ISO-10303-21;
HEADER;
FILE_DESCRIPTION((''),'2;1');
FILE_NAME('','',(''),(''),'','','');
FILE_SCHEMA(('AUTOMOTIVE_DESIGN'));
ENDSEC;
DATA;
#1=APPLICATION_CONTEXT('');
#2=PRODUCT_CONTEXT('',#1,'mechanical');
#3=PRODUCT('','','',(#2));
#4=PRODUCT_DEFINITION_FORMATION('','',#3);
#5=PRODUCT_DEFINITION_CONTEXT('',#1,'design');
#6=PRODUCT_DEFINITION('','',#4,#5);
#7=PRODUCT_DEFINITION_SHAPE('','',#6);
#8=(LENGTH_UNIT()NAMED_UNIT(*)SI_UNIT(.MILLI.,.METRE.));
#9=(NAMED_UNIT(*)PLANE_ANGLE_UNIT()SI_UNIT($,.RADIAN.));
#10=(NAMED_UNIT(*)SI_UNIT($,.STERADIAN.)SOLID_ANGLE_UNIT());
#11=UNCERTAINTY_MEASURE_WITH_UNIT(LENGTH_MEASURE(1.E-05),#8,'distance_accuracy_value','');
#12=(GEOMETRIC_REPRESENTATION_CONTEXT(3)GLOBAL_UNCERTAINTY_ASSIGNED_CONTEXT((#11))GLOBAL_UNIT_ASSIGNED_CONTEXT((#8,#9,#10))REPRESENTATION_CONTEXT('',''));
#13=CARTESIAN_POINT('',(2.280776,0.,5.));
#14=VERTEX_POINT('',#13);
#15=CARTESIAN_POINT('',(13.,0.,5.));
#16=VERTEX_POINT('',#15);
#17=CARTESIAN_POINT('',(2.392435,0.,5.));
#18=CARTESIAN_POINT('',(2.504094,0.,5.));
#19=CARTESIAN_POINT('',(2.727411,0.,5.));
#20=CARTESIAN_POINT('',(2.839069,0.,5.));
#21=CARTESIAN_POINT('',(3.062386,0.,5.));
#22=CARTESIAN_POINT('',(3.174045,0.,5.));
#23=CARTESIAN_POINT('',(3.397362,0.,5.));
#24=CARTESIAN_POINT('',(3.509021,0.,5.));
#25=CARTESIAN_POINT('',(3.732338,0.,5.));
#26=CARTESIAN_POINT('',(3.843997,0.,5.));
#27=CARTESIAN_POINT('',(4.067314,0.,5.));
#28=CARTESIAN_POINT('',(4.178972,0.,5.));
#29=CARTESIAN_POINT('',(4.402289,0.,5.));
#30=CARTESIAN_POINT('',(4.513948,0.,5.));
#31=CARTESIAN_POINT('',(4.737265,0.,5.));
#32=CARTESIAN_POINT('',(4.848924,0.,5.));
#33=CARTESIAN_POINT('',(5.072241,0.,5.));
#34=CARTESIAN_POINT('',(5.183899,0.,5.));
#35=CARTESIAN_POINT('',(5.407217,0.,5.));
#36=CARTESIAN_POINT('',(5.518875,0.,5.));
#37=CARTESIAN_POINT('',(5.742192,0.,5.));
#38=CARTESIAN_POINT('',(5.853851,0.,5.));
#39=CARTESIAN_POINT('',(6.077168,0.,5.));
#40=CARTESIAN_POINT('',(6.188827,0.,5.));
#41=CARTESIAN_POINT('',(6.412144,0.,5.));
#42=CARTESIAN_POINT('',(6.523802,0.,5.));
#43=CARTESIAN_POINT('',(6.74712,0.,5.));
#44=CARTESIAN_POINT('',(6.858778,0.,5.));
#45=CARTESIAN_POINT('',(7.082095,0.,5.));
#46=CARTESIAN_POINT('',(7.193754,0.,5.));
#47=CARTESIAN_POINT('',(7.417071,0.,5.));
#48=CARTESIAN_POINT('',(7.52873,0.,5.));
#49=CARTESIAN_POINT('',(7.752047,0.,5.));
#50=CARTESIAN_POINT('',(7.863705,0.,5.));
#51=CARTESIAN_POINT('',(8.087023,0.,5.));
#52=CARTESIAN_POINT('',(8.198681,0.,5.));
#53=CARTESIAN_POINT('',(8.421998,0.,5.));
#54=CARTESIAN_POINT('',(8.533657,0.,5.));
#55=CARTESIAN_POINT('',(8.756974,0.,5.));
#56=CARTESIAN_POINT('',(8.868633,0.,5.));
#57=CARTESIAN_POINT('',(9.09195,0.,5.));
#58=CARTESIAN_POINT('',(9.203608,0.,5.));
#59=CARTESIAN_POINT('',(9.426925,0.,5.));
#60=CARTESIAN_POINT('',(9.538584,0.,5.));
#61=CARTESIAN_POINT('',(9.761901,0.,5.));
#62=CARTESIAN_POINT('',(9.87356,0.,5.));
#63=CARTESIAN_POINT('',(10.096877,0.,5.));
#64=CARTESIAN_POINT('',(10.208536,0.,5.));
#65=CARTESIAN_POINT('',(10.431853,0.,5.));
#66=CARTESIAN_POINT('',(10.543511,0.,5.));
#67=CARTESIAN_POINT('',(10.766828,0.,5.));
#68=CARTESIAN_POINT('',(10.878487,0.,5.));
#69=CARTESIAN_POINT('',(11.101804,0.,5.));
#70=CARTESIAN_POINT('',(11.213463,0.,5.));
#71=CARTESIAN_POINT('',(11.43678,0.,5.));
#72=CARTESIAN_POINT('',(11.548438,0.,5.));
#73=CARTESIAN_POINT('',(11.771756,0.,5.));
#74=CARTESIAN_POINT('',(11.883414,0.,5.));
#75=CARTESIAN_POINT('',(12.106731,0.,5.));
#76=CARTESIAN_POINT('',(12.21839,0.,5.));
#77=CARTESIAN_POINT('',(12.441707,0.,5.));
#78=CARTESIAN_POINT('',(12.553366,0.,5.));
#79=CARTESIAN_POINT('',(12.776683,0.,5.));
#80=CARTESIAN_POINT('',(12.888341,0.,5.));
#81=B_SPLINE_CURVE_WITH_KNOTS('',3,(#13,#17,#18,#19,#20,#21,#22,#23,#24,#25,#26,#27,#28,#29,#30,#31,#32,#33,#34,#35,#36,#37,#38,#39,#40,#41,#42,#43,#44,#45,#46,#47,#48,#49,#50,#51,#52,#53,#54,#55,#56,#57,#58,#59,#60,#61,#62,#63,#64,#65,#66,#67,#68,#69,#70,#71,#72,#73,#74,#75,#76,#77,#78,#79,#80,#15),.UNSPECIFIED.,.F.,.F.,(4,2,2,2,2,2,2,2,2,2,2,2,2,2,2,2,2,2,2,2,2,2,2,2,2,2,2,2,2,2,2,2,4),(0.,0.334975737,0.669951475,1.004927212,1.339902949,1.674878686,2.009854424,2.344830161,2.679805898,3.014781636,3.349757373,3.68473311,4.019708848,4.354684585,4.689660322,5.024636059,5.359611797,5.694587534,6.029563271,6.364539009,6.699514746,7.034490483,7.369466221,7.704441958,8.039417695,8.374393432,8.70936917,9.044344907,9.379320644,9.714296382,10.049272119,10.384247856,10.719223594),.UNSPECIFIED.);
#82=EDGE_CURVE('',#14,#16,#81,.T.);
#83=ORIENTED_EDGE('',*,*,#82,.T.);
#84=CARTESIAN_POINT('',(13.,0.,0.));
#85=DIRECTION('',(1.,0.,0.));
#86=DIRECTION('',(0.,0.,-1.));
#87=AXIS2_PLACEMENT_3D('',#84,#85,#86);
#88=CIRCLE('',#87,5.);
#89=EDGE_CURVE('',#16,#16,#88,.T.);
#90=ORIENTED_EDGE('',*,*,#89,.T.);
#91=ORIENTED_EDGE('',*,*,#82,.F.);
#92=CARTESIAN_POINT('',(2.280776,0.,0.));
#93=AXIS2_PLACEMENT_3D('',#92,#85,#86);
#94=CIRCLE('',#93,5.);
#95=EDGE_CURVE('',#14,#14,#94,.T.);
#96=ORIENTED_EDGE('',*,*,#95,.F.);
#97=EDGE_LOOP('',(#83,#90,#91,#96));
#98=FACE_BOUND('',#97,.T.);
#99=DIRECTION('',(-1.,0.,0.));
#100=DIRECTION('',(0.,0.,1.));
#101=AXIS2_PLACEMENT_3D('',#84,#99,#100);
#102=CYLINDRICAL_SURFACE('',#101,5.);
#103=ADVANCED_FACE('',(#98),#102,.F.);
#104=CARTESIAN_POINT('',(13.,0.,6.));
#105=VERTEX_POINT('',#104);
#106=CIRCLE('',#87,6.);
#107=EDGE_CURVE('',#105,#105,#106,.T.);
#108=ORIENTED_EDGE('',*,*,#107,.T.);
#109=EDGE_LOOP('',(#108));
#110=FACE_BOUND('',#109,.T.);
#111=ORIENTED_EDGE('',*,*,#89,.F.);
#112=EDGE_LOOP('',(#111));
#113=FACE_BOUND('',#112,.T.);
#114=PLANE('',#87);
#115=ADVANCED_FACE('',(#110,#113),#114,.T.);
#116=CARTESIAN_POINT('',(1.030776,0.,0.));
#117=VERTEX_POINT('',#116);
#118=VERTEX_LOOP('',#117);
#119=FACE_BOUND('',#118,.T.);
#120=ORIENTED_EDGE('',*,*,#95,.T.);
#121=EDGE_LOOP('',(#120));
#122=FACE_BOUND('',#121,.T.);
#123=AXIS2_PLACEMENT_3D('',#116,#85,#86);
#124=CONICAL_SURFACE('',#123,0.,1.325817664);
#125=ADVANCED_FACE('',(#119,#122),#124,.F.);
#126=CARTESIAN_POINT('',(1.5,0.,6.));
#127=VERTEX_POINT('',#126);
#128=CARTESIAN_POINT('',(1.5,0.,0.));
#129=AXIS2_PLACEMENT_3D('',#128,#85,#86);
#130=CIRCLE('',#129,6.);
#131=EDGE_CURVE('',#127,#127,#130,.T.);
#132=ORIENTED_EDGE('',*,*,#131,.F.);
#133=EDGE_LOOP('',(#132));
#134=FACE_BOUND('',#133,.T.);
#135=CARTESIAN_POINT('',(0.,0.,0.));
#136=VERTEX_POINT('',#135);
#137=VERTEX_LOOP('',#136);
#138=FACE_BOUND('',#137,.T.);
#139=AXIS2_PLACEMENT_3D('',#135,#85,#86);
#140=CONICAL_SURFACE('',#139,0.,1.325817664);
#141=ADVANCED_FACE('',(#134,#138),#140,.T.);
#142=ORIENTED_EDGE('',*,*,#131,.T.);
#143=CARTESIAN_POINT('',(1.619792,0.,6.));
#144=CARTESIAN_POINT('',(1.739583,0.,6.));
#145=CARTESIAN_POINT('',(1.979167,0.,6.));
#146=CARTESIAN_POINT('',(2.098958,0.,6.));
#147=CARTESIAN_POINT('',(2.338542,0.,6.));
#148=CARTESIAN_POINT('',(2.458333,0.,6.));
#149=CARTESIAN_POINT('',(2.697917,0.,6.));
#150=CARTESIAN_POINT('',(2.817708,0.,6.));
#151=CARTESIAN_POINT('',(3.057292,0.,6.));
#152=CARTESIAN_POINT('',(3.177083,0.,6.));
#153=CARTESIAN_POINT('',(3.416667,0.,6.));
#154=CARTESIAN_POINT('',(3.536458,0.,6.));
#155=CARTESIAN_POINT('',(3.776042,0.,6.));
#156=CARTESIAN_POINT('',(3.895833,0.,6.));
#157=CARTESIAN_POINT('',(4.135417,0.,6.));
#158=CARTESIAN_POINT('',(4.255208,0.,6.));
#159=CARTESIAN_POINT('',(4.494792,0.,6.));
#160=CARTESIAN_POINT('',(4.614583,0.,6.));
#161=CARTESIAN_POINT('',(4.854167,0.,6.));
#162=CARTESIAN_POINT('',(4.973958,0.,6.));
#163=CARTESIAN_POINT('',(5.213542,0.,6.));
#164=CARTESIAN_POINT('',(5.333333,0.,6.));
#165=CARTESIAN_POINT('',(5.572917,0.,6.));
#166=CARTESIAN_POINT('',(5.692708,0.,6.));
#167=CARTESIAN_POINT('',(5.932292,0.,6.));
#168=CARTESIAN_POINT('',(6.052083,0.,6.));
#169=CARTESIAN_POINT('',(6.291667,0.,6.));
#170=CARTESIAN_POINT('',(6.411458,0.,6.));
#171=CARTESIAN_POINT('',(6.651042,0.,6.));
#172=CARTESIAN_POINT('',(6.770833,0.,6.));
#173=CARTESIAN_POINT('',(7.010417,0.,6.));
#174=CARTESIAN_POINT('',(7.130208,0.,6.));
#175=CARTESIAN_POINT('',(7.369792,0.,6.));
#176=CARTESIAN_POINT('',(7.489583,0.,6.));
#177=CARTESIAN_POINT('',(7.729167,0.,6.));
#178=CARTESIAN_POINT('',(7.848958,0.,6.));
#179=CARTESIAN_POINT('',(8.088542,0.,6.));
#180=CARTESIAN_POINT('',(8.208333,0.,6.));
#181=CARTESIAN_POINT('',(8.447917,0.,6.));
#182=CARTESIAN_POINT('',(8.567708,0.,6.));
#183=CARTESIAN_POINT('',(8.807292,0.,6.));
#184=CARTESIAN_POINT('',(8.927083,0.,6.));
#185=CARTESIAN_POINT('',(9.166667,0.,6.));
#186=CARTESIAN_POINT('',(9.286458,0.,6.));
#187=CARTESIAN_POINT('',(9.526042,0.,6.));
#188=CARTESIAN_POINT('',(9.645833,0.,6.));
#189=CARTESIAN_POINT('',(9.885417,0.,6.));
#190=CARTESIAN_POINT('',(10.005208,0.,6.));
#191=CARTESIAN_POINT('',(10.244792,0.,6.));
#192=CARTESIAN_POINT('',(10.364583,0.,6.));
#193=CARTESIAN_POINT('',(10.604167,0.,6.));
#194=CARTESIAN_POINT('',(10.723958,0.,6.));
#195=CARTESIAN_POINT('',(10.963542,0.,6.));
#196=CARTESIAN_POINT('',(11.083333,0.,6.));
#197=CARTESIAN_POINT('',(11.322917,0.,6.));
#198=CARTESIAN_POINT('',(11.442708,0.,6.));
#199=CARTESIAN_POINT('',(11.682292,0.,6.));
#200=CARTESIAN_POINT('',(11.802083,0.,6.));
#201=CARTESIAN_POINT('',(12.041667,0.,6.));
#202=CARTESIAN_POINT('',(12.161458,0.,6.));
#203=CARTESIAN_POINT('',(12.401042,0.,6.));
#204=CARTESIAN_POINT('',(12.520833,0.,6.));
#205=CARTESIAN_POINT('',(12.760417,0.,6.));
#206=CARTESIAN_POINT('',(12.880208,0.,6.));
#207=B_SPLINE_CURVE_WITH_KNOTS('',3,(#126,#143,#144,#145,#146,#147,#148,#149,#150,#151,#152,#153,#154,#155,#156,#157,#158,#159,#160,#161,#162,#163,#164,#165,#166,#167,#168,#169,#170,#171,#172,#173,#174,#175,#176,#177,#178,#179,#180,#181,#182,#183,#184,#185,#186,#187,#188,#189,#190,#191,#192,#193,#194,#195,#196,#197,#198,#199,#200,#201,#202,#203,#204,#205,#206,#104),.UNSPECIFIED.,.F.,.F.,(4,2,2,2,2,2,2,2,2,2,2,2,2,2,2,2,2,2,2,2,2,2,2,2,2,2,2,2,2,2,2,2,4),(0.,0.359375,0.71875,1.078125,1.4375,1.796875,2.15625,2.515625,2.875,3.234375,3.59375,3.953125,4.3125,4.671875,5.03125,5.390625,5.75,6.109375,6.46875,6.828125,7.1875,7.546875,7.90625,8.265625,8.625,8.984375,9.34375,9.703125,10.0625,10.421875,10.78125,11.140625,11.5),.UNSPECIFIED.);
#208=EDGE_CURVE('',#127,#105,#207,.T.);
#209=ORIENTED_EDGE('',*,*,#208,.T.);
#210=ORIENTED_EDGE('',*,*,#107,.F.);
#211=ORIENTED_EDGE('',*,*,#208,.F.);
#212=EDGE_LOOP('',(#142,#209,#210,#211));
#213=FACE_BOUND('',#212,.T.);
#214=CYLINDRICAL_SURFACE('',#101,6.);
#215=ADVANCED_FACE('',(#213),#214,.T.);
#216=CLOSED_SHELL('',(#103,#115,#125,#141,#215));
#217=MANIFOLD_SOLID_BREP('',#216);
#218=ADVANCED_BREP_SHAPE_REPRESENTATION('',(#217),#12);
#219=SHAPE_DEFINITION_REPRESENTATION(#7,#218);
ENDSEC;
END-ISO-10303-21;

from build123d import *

# Parameters (mm, degrees)
SKETCH_1_R      = 6
EXTRUDE_1_DEPTH = 13
SHELL_1_T       = -1


with BuildPart() as part:
    # 草圖1 → 填料-伸長1 (new body)
    with BuildSketch(Plane(origin=(0, 0, 0), x_dir=(0, 0, -1), z_dir=(1, 0, 0))):
        with Locations(Location((0, 0, 0), (0, 0, 180))):
            Circle(SKETCH_1_R)
    extrude(amount=EXTRUDE_1_DEPTH)

    # 草圖2 → 除料-旋轉2 (revolve, cut)
    with BuildSketch(Plane(origin=(0, 0, 0), x_dir=(1, 0, 0), z_dir=(0, 1, 0)), mode=Mode.PRIVATE) as cut_revolve_2_sk:
        Polygon((0, 0), (1.5, 6), (1.5, 6.496398709), (-0.462606834, 6.496398709), (-0.462606834, 0), align=None)
    revolve(cut_revolve_2_sk.sketch.rotate(Axis((1.002912705, 0, 0), (-1, 0, 0)), 180), axis=Axis((1.002912705, 0, 0), (-1, 0, 0)), mode=Mode.SUBTRACT)

    # 薄殼1
    shell_1_openings = [part.faces().sort_by_distance(p)[0] for p in [
        (13, 0, 0),
    ]]
    offset(amount=SHELL_1_T, openings=shell_1_openings, kind=Kind.INTERSECTION)


solid = part.part
